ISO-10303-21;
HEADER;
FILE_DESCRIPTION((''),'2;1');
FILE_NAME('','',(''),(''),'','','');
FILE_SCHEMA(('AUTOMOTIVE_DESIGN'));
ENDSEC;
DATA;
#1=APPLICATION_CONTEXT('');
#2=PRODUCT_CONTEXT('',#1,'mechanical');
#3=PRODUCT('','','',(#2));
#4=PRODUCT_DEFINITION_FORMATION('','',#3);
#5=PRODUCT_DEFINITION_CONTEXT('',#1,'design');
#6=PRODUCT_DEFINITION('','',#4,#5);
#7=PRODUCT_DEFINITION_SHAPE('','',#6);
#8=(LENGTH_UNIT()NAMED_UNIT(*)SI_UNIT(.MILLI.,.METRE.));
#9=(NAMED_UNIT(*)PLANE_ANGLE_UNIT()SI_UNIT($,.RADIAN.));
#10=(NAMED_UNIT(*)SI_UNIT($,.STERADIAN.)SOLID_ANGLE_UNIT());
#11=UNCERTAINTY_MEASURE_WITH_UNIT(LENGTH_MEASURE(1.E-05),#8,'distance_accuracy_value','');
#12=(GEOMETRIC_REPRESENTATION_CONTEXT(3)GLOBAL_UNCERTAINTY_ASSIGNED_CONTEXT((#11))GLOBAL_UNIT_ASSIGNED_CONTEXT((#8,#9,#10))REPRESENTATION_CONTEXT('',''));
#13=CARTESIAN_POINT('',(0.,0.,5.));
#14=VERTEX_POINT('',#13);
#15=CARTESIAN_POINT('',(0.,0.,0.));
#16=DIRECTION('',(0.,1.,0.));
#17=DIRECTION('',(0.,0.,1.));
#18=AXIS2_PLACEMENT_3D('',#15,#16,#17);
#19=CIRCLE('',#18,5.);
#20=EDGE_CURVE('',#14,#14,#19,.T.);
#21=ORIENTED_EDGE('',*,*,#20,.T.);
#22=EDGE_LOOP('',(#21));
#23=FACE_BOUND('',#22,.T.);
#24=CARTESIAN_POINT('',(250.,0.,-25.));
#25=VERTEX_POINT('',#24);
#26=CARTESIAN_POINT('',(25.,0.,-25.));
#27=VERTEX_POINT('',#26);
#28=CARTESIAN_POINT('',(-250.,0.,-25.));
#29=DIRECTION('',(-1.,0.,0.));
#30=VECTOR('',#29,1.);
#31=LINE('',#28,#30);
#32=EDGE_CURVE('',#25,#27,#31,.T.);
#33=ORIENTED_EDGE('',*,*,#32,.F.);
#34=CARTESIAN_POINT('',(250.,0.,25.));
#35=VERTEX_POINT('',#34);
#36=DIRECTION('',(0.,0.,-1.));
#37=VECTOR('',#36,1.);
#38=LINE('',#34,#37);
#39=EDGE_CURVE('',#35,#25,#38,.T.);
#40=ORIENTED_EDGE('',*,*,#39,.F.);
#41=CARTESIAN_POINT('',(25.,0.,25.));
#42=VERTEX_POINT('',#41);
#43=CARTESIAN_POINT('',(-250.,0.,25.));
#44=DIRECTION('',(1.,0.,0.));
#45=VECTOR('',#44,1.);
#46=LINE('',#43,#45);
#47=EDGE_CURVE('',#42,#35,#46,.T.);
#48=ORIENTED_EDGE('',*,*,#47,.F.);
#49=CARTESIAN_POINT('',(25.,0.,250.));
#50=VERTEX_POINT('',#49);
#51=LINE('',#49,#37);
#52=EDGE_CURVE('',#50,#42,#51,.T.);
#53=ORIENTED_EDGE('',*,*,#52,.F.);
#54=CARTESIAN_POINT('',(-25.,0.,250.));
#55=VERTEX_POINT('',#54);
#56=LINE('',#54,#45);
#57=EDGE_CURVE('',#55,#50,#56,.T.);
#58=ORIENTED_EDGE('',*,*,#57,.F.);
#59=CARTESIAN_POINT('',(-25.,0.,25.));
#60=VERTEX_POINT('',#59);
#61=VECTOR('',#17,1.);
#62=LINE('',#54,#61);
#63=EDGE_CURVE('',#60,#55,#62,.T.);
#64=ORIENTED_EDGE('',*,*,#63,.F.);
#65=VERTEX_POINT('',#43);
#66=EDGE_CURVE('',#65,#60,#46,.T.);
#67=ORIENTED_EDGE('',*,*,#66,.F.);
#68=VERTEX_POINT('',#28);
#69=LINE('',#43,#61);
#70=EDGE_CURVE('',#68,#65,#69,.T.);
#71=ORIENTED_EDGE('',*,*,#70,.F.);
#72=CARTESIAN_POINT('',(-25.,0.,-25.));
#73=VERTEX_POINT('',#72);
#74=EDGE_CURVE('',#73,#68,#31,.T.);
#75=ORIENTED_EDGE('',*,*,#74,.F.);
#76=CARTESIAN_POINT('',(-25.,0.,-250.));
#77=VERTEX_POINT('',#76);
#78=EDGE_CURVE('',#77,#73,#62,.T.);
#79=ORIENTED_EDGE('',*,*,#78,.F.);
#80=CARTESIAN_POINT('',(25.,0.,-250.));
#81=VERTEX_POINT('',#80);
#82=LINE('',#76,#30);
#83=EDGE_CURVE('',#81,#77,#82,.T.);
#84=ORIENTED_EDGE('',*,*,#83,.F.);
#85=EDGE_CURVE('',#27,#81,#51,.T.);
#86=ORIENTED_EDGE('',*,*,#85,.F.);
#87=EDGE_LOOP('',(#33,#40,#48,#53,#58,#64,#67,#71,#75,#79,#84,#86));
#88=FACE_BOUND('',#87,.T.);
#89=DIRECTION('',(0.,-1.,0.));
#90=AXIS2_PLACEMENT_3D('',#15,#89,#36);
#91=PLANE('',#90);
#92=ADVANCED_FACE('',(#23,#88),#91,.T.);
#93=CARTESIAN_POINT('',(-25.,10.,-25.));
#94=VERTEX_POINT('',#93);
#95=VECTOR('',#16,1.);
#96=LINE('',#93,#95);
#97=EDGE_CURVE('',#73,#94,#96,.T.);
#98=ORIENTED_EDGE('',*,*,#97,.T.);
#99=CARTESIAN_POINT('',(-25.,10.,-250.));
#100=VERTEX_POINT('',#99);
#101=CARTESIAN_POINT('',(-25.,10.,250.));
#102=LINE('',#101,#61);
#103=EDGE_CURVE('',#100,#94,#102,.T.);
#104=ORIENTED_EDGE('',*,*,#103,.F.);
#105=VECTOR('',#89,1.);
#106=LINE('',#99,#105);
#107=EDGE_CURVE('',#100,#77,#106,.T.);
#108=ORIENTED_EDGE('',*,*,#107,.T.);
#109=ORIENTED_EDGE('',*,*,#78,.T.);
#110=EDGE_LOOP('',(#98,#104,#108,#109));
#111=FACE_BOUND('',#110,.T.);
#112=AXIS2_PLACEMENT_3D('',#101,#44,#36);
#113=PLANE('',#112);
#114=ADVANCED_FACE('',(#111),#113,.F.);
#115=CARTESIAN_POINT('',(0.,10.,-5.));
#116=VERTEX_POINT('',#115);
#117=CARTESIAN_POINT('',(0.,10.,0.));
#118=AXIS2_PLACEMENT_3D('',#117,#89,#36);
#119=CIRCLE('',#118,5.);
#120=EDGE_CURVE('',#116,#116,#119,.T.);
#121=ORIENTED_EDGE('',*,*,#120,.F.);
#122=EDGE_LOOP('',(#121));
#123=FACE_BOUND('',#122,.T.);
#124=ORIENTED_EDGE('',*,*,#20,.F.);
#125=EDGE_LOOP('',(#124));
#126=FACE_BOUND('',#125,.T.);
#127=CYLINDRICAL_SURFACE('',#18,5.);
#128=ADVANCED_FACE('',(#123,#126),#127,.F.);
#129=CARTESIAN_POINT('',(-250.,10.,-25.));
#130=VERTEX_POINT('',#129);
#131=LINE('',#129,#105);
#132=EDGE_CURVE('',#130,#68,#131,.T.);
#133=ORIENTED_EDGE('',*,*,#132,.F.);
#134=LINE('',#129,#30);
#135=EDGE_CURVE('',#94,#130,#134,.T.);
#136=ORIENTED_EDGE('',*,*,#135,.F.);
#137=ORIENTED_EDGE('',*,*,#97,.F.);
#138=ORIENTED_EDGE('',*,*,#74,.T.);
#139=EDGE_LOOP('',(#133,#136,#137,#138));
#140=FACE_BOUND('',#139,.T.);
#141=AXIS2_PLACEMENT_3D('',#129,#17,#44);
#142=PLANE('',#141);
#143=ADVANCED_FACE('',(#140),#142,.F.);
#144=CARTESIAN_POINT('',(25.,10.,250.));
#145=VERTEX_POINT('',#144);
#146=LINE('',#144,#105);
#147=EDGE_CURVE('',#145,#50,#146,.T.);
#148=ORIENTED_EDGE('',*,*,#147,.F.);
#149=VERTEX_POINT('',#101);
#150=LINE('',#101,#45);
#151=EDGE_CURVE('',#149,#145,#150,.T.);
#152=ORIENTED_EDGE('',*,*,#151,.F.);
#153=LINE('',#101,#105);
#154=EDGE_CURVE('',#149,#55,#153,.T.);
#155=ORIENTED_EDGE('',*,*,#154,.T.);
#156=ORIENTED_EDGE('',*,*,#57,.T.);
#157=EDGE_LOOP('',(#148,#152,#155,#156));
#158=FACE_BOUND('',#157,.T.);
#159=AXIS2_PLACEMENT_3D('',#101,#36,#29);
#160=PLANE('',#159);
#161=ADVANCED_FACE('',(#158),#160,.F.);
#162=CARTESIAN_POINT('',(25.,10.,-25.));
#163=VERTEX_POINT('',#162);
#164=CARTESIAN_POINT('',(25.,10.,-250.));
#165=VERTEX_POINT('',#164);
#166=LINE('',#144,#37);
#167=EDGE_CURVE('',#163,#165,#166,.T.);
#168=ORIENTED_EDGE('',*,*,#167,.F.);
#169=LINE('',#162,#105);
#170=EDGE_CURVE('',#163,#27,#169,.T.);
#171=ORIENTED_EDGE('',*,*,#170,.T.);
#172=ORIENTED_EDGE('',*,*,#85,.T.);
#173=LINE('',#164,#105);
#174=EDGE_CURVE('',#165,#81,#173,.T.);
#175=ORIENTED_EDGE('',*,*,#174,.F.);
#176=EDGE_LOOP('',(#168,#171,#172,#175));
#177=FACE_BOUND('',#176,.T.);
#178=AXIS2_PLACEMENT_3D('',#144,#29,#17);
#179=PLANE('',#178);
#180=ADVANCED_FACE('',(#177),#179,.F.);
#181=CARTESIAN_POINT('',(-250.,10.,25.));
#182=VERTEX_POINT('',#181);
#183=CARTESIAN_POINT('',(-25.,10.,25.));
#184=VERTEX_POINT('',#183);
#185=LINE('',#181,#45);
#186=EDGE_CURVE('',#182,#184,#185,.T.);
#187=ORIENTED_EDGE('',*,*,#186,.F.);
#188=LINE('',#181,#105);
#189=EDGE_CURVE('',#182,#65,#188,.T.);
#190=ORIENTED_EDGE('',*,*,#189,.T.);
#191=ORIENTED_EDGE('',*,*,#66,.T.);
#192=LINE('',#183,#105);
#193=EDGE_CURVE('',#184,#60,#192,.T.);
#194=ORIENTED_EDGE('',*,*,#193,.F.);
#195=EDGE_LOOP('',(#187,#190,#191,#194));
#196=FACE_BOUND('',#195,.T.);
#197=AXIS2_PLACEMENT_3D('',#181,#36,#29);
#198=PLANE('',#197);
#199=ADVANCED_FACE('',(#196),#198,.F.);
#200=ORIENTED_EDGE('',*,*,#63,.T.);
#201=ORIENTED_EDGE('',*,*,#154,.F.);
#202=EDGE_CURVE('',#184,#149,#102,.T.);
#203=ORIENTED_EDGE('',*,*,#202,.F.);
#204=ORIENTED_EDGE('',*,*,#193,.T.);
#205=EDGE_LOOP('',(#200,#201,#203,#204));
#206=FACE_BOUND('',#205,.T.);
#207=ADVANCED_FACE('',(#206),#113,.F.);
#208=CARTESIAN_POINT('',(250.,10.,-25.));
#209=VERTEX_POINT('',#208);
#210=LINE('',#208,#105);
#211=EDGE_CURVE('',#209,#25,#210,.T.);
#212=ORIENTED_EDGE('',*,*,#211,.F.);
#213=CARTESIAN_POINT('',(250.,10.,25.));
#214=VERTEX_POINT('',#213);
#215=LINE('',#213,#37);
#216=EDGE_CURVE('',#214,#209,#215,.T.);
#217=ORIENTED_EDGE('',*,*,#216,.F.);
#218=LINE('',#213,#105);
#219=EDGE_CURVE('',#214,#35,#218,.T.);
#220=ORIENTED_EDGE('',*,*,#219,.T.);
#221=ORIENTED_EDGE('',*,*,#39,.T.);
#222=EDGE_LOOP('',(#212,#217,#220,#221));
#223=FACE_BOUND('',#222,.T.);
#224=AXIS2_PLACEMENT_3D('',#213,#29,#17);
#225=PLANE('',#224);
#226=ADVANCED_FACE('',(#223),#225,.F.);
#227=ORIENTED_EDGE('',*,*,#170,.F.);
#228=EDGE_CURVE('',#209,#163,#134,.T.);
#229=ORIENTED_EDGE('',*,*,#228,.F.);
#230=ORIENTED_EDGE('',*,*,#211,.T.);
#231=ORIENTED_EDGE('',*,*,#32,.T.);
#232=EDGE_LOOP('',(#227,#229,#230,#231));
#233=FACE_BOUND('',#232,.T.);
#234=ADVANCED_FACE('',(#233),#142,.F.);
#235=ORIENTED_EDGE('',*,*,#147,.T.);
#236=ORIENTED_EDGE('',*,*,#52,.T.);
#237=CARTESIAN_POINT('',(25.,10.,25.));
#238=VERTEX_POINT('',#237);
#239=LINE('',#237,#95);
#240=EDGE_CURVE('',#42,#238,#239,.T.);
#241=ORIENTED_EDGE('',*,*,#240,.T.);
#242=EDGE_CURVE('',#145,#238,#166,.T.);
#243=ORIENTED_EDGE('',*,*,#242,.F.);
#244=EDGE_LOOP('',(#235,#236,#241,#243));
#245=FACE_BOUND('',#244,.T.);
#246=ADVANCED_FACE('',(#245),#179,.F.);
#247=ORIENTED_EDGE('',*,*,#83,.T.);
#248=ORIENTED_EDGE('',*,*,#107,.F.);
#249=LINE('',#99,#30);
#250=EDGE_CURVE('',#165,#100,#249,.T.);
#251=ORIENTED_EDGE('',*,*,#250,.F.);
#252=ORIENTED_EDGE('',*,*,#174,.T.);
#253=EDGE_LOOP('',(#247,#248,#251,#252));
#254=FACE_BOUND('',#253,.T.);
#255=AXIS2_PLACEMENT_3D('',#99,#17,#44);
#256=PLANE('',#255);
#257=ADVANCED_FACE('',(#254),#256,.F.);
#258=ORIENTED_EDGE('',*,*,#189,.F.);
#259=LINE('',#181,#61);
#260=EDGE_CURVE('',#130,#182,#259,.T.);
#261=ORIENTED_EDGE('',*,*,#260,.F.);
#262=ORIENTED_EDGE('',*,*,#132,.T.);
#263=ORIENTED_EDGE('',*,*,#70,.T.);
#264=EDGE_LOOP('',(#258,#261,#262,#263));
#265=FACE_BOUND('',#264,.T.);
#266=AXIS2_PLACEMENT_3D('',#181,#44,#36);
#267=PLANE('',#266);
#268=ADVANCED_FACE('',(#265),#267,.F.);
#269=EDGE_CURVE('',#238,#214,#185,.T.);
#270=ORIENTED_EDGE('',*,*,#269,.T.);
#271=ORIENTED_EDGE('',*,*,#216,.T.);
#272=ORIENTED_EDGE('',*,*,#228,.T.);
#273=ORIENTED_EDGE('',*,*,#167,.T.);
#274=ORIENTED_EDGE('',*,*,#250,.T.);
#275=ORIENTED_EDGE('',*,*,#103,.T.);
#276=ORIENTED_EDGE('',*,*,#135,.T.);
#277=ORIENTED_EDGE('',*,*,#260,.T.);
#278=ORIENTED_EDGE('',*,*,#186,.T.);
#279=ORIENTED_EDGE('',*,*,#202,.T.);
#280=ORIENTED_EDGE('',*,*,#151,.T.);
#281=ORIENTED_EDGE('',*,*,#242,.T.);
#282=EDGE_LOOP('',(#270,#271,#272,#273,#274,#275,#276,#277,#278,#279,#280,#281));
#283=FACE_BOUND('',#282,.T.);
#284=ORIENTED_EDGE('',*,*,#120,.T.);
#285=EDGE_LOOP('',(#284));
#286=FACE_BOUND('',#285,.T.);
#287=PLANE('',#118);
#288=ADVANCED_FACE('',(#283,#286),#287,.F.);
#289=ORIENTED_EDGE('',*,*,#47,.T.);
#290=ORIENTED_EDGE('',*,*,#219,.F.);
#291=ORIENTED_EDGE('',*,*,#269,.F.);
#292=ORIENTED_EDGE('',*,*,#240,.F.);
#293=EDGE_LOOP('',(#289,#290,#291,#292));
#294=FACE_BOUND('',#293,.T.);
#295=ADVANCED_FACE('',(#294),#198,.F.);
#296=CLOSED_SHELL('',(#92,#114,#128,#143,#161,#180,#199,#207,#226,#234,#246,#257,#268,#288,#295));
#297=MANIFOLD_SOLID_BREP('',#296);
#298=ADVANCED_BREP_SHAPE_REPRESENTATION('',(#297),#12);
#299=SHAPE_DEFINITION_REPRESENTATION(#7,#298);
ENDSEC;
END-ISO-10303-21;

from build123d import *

# Parameters (mm, degrees)
SKETCH1_W               = 500
SKETCH1_H               = 50
BOSS_EXTRUDE1_DEPTH     = 10
SKETCH2_W               = 50
SKETCH2_H               = 500
BOSS_EXTRUDE2_DEPTH     = 10
CUT_EXTRUDE1_DEPTH      = 354.694783677
CUT_EXTRUDE1_DEPTH_BACK = 354.694783677
SKETCH3_R               = 5


with BuildPart() as part:
    # Sketch1 → Boss-Extrude1 (new body)
    with BuildSketch(Plane(origin=(0, 0, 0), x_dir=(1, 0, 0), z_dir=(0, 1, 0))):
        Rectangle(SKETCH1_W, SKETCH1_H)
    extrude(amount=BOSS_EXTRUDE1_DEPTH)

    # Sketch2 → Boss-Extrude2 (add)
    with BuildSketch(Plane(origin=(0, 0, 0), x_dir=(1, 0, 0), z_dir=(0, 1, 0))):
        Rectangle(SKETCH2_W, SKETCH2_H)
    extrude(amount=BOSS_EXTRUDE2_DEPTH)

    # Sketch3 → Cut-Extrude1 (cut, two sides: drawn at the far end of the back side and taken through both)
    with BuildSketch(Plane(origin=(0, 10, 0), x_dir=(1, 0, 0), z_dir=(0, 1, 0)).offset(-CUT_EXTRUDE1_DEPTH_BACK)):
        with Locations(Location((0, 0, 0), (0, 0, 270))):
            Circle(SKETCH3_R)
    extrude(amount=CUT_EXTRUDE1_DEPTH + CUT_EXTRUDE1_DEPTH_BACK, mode=Mode.SUBTRACT)


solid = part.part
